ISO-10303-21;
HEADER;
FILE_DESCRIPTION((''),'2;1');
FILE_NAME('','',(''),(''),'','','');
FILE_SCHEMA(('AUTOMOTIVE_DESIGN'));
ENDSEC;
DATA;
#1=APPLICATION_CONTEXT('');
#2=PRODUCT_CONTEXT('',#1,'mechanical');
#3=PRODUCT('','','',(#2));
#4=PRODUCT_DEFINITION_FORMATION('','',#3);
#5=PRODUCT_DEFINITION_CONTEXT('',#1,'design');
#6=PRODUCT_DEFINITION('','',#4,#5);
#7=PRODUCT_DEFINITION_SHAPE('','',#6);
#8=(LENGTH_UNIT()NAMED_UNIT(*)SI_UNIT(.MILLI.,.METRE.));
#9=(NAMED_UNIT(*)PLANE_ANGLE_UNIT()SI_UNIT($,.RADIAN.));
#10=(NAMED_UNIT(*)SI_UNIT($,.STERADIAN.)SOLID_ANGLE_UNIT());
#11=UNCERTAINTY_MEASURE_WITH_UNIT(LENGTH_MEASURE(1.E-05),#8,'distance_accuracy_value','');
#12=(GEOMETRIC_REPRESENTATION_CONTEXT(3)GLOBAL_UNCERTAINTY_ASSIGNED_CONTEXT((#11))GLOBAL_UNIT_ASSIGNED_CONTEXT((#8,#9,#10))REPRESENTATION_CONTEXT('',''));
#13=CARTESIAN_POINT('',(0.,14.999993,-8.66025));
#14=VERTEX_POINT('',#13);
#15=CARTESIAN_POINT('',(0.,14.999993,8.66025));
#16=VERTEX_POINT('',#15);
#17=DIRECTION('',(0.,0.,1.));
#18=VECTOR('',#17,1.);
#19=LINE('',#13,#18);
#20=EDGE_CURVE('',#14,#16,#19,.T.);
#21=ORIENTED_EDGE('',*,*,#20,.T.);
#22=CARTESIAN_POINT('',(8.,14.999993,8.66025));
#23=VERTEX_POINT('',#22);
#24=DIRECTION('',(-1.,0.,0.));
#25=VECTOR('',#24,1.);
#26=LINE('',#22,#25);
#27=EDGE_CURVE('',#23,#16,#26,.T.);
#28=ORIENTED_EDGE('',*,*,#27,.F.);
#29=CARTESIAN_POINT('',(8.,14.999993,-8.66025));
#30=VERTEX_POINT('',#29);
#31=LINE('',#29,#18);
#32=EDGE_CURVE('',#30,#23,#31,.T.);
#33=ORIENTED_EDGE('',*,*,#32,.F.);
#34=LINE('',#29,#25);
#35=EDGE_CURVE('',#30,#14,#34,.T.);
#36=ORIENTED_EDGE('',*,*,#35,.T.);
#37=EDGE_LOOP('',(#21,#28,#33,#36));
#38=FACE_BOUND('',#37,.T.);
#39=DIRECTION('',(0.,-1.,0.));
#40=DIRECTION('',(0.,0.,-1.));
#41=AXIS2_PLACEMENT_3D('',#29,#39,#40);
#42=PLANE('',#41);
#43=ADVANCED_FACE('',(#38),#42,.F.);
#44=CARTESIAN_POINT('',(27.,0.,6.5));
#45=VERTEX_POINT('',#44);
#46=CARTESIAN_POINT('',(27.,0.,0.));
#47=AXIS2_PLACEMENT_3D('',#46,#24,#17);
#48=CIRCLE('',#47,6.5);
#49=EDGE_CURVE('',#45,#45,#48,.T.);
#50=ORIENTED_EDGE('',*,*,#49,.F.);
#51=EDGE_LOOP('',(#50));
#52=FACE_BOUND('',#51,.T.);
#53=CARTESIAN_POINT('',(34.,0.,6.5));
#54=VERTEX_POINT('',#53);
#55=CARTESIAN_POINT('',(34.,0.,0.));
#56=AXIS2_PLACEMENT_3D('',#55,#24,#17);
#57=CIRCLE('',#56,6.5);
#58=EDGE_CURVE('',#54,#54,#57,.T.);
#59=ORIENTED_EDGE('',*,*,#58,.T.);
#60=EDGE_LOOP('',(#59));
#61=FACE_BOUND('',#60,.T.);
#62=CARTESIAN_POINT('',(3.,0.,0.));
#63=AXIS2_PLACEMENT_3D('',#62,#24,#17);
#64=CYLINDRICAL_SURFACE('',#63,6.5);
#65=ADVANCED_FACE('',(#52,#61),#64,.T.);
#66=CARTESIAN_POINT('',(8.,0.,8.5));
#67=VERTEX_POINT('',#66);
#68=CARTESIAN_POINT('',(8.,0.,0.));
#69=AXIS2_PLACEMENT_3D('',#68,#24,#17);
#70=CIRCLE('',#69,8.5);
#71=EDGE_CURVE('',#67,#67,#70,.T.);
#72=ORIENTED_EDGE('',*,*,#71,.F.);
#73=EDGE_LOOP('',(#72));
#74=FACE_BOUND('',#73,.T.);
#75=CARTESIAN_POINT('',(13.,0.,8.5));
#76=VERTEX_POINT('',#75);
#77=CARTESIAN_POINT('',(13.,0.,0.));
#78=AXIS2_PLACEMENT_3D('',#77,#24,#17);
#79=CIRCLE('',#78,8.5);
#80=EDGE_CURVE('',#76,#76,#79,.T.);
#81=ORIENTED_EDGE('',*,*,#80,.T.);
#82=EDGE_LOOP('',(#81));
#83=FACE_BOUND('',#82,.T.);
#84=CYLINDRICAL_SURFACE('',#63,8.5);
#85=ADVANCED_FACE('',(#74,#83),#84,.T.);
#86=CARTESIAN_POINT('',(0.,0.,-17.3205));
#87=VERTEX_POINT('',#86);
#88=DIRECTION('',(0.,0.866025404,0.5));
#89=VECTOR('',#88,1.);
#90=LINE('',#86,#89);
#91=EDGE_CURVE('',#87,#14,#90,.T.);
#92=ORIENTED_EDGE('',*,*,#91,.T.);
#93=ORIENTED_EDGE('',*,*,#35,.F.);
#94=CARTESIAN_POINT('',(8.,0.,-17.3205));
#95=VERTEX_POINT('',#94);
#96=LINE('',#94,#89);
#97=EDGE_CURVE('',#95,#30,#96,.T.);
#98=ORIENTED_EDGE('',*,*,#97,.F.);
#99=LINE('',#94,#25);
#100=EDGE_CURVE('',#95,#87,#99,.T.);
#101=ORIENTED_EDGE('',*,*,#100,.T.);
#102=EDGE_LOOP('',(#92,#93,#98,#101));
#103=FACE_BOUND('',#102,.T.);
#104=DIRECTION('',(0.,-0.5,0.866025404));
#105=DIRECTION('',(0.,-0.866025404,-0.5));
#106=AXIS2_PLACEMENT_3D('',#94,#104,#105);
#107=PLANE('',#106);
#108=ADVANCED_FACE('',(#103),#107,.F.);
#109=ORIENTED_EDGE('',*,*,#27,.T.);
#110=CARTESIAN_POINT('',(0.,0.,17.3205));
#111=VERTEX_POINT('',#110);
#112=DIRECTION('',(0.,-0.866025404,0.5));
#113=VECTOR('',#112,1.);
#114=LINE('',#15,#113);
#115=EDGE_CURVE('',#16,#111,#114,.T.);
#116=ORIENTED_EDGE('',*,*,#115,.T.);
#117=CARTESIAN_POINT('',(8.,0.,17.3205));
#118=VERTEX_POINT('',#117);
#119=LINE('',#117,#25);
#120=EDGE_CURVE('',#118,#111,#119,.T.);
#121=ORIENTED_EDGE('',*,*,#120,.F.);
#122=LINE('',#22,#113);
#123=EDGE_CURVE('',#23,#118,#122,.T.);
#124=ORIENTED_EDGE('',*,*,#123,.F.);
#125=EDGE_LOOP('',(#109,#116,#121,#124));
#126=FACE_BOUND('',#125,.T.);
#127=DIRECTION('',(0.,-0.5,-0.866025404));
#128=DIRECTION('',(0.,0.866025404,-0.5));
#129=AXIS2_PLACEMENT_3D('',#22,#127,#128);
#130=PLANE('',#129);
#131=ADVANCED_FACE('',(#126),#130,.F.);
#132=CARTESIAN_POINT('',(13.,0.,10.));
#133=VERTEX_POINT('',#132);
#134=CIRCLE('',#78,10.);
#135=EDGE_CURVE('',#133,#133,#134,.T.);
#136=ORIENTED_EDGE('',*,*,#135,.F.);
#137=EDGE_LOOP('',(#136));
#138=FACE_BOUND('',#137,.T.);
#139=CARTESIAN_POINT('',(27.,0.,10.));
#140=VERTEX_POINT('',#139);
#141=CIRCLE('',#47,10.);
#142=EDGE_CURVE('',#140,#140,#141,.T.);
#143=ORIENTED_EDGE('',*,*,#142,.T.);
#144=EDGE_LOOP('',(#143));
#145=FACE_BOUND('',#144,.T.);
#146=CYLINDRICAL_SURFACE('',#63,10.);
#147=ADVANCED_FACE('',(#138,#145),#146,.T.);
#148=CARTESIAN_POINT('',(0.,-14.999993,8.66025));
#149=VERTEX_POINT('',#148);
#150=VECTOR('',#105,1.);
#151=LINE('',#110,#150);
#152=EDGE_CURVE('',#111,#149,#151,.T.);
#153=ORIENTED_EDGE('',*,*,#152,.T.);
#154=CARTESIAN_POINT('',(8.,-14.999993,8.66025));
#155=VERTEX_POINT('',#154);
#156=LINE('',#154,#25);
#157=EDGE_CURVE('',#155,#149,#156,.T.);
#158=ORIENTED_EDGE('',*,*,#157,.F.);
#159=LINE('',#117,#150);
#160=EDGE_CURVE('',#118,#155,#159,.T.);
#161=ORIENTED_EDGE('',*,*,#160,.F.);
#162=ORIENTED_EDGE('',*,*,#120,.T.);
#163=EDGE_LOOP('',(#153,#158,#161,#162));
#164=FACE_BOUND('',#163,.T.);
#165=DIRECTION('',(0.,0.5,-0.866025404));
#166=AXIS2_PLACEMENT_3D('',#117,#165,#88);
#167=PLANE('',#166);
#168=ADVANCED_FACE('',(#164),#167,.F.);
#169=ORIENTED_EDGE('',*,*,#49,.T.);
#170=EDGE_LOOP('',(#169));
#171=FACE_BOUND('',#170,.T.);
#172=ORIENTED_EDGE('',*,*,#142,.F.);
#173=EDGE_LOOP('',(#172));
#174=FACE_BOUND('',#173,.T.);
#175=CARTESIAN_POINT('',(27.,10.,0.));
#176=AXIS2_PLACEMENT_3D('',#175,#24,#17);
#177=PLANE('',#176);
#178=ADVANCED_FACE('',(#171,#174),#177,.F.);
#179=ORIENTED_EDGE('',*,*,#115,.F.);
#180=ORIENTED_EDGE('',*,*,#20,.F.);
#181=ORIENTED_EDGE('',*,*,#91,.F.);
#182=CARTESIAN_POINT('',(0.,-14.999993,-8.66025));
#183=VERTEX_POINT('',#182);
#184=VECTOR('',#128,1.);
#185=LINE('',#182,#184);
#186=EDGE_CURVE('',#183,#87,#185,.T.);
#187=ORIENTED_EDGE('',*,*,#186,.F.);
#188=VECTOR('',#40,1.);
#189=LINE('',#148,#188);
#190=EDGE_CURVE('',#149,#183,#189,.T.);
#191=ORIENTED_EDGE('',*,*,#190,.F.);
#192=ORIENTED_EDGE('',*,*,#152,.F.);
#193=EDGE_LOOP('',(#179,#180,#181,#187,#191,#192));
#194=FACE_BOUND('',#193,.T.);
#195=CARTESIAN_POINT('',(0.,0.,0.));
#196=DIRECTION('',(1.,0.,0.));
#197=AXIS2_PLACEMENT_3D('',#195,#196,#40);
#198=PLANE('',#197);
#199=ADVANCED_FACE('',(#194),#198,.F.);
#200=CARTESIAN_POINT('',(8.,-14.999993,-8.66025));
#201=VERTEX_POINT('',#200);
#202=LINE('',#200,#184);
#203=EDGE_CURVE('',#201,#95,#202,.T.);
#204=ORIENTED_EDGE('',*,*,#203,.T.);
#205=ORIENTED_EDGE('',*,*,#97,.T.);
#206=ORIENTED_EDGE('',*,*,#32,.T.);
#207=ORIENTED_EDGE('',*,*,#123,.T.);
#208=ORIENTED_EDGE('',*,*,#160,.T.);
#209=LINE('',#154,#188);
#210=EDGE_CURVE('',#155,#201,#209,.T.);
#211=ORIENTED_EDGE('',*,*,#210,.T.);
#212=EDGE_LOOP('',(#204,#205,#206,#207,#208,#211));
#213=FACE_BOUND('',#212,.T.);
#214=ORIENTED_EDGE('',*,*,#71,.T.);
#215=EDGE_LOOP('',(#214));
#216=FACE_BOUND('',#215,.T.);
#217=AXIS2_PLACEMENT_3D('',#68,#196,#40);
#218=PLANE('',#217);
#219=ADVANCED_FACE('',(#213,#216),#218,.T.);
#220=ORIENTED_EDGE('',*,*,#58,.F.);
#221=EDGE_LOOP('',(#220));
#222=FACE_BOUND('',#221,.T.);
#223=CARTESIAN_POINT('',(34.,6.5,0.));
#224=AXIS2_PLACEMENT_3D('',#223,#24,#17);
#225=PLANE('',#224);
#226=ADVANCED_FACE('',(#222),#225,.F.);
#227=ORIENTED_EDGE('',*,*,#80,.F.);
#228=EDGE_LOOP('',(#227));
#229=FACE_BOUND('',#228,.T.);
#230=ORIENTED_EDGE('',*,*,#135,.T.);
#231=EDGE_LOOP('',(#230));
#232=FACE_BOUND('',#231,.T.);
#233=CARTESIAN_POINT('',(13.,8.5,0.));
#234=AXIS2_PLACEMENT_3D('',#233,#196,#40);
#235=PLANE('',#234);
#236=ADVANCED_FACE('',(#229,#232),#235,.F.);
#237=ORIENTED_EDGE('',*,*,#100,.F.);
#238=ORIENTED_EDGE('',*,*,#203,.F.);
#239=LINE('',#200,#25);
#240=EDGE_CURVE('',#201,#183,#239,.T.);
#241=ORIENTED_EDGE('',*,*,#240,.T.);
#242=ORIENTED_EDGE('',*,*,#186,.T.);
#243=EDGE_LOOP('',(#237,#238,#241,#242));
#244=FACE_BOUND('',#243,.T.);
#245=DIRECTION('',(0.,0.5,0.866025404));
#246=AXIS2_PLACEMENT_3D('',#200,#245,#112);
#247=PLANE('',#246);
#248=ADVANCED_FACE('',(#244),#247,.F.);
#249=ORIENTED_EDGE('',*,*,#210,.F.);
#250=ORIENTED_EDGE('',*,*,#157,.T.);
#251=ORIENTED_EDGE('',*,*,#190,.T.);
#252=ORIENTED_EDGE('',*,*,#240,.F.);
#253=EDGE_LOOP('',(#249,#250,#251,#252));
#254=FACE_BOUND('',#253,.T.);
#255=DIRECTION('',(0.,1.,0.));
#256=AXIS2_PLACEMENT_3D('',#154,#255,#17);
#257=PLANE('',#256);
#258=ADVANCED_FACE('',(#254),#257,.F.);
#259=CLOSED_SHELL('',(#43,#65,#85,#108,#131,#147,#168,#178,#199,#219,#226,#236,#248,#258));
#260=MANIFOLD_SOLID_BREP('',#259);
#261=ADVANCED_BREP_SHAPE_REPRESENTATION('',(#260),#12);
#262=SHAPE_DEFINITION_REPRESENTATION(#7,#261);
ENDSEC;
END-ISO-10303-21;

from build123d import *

# Parameters (mm, degrees)
F_01_HEX_AF30_DEPTH = 8


with BuildPart() as part:
    # 草图1 → 01_HEX_AF30 (new body)
    with BuildSketch(Plane(origin=(0, 0, 0), x_dir=(0, 0, -1), z_dir=(1, 0, 0))):
        Polygon((17.3205, 0), (8.66025, 14.999993006), (-8.66025, 14.999993006), (-17.3205, 0), (-8.66025, -14.999993006), (8.66025, -14.999993006), align=None)
    extrude(amount=F_01_HEX_AF30_DEPTH)

    # 草图2 → 02_BODY (revolve)
    with BuildSketch(Plane.XY, mode=Mode.PRIVATE) as f_02_body_sk:
        Polygon((8, 0), (8, 8.5), (13, 8.5), (13, 10), (27, 10), (27, 6.5), (34, 6.5), (34, 0), align=None)
    revolve(f_02_body_sk.sketch.rotate(Axis((3, 0, 0), (1, 0, 0)), 90), axis=Axis((3, 0, 0), (1, 0, 0)))


solid = part.part
